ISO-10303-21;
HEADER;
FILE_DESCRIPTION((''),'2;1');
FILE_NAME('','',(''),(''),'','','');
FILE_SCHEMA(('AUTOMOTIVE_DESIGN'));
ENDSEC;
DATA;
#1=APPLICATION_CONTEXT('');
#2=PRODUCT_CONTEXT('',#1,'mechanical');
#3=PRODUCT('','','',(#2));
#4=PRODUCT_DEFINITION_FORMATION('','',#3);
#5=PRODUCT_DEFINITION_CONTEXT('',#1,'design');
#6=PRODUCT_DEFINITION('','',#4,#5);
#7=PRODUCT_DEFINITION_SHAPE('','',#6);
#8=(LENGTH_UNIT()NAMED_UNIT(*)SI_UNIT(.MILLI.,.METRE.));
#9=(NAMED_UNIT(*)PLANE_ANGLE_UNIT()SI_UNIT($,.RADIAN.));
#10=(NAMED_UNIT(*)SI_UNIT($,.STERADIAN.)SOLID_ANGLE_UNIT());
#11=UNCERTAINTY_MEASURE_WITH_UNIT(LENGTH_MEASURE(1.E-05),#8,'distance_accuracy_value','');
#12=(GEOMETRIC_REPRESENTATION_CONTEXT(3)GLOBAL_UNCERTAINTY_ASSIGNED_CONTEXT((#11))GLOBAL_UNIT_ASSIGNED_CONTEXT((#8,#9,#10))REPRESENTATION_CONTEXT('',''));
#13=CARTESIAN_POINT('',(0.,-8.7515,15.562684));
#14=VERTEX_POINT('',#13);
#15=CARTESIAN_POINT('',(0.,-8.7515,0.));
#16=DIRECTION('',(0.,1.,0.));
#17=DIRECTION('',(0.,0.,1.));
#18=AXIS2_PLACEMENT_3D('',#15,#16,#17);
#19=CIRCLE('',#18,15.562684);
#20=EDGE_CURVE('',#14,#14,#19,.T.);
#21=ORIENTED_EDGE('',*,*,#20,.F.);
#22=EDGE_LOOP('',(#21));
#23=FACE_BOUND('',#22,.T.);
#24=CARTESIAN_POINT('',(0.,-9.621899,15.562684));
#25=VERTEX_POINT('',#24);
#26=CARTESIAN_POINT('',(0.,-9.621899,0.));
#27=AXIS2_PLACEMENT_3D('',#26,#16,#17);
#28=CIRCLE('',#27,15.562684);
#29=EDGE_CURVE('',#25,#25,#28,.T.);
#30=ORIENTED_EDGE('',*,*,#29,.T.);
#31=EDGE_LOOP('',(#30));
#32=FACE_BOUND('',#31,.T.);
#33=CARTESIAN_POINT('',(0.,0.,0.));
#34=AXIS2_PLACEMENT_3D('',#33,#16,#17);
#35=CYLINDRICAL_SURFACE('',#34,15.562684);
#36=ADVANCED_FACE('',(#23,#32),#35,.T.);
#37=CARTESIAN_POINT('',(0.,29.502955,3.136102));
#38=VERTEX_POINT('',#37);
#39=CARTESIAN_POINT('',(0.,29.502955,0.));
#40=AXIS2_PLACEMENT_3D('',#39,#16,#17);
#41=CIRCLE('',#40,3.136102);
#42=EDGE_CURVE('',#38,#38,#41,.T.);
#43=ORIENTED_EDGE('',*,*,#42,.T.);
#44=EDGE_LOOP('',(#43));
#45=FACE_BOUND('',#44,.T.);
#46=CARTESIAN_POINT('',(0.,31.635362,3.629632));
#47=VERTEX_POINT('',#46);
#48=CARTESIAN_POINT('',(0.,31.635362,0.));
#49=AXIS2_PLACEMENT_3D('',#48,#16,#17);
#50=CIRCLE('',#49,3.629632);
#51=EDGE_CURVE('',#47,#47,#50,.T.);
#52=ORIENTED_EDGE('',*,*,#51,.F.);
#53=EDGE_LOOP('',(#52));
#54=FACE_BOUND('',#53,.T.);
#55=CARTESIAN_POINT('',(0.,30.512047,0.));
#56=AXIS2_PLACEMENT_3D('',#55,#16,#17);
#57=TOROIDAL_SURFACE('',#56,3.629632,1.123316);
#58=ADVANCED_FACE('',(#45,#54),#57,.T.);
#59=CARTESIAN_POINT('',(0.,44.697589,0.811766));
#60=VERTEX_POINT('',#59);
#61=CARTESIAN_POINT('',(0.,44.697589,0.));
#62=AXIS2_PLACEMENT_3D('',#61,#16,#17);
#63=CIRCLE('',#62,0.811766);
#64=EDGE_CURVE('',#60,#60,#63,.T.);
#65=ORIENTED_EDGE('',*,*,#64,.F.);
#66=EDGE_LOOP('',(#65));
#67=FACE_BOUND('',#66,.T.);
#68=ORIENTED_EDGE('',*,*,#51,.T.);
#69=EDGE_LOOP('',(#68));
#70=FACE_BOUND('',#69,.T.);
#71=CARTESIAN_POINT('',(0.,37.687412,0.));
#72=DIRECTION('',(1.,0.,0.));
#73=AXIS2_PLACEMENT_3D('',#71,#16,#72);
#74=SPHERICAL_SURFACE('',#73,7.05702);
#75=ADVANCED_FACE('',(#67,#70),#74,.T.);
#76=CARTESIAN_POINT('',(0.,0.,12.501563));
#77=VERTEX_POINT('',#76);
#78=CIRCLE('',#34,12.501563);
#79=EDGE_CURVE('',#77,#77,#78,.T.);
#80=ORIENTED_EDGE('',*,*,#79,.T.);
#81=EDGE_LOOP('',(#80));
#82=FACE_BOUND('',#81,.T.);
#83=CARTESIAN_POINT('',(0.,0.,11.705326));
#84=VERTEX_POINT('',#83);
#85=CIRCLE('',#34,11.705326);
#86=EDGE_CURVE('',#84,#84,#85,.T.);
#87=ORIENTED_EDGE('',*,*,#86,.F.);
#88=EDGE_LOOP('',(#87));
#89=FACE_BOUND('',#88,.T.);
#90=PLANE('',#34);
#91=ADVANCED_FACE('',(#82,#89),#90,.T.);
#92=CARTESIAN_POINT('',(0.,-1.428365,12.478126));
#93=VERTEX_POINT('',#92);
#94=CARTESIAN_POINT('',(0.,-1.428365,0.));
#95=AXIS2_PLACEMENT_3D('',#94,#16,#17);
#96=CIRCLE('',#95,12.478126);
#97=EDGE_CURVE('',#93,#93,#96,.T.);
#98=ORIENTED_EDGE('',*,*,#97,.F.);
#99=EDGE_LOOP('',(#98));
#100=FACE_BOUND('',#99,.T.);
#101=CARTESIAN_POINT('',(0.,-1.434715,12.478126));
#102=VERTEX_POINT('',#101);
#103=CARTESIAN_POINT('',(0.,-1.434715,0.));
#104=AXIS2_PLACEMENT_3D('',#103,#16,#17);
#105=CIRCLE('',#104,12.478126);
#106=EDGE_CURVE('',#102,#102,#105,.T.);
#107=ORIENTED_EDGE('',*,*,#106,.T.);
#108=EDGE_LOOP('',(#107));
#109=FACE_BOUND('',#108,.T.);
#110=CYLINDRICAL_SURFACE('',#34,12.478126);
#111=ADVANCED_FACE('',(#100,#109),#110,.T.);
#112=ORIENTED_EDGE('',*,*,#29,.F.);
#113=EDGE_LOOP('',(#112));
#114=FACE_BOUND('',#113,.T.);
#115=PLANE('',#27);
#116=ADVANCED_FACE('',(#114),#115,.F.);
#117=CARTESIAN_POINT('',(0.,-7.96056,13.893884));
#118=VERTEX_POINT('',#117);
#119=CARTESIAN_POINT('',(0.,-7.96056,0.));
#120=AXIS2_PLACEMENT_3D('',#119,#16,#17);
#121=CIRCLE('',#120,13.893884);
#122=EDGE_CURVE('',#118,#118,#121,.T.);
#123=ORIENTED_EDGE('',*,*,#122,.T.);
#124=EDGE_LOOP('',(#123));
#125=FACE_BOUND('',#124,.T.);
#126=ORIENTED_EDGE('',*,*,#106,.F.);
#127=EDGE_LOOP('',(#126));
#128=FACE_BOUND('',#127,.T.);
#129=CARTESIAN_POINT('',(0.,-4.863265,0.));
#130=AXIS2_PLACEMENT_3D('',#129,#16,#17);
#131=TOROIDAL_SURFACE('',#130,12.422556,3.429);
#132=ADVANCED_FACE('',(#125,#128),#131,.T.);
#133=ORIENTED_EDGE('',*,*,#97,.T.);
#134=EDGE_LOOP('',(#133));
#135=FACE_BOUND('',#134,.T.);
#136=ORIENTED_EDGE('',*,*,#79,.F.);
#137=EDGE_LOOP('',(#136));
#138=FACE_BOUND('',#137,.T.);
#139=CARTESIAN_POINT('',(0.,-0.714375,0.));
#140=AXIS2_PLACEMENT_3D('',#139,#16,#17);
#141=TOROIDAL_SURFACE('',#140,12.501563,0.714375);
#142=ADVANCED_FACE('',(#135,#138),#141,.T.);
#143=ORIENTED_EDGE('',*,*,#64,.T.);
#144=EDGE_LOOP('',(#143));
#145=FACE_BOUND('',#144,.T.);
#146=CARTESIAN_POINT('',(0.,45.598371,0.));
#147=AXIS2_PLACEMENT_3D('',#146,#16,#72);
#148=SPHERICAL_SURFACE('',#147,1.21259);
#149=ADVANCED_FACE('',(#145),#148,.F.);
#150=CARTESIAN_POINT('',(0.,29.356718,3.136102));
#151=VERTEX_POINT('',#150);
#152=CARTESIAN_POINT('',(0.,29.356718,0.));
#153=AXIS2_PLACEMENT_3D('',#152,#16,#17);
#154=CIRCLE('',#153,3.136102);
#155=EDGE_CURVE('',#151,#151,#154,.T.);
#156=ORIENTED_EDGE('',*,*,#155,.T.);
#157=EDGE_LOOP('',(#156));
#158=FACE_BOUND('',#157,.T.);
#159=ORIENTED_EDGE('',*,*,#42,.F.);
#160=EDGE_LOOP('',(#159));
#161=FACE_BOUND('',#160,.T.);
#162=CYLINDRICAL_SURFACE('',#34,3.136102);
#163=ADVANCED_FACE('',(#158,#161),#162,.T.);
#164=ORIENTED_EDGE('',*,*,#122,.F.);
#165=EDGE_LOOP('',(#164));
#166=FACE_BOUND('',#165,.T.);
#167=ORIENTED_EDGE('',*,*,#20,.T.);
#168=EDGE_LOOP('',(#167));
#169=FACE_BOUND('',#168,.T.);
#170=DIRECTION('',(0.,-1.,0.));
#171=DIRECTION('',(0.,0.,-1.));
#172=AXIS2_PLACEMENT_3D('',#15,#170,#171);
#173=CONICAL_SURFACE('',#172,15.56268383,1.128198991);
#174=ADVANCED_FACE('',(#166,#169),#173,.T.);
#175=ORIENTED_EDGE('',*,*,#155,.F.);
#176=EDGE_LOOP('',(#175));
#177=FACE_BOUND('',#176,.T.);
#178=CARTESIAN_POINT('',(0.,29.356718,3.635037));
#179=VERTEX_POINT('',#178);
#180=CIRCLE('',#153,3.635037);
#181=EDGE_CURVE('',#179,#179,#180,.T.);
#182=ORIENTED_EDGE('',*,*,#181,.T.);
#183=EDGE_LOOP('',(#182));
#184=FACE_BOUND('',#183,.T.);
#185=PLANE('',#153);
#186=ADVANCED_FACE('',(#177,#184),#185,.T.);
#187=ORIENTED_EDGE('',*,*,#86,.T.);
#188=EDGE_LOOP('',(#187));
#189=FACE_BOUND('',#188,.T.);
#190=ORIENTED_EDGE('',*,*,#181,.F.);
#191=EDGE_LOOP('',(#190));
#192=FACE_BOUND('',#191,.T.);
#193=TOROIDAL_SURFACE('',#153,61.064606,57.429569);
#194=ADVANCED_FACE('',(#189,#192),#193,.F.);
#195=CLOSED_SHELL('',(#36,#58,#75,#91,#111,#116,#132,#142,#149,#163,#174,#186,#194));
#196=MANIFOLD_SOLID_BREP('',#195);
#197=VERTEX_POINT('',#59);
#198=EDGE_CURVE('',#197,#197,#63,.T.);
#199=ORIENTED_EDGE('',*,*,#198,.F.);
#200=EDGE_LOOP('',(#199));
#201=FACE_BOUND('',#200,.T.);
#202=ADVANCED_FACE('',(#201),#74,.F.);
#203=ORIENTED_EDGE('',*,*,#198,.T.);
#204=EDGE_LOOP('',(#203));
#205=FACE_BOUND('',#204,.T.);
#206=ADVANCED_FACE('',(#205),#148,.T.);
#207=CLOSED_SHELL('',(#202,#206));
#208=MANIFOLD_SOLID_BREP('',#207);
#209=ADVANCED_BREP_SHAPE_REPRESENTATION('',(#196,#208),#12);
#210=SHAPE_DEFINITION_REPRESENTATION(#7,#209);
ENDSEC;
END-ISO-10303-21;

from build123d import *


with BuildPart() as part:
    # Sketch1 → Revolve1 (revolve)
    with BuildSketch(Plane.XY):
        with BuildLine():
            Line((0, 44.385781447), (0, 0))
            Line((0, 0), (11.705326418, 0))
            ThreePointArc((11.705326418, 0), (5.689352, 14.133820258), (3.635037225, 29.356717947))
            Line((3.635037225, 29.356717947), (3.136102118, 29.356717947))
            Line((3.136102118, 29.356717947), (3.136102118, 29.502954512))
            ThreePointArc((3.136102118, 29.502954512), (4.724019261, 30.258758943), (3.629631831, 31.635362497))
            ThreePointArc((3.629631831, 31.635362497), (6.89832899, 39.175563266), (0.811766414, 44.697588688))
            ThreePointArc((0.811766414, 44.697588688), (0.434795488, 44.466414144), (0, 44.385781447))
        make_face()
        with BuildLine():
            Line((15.56268383, -8.751500195), (13.893883706, -7.960560004))
            ThreePointArc((13.893883706, -7.960560004), (15.773602868, -4.136267719), (12.478125528, -1.43471544))
            Line((12.478125528, -1.43471544), (12.478125528, -1.42836544))
            ThreePointArc((12.478125528, -1.42836544), (13.215841354, -0.726095063), (12.5015625, 0))
            Line((12.5015625, 0), (0, 0))
            Line((0, 0), (0, -9.621899232))
            Line((0, -9.621899232), (15.56268383, -9.621899232))
            Line((15.56268383, -9.621899232), (15.56268383, -8.751500195))
        make_face()
        with BuildLine():
            Line((0, 46.810960747), (0, 44.744432756))
            ThreePointArc((0, 44.744432756), (0.406558445, 44.732712005), (0.811766414, 44.697588688))
            ThreePointArc((0.811766414, 44.697588688), (1.131956953, 46.033166585), (0, 46.810960747))
        make_face()
    revolve(axis=Axis((0, 0, 0), (0, -1, 0)))


solid = part.part
